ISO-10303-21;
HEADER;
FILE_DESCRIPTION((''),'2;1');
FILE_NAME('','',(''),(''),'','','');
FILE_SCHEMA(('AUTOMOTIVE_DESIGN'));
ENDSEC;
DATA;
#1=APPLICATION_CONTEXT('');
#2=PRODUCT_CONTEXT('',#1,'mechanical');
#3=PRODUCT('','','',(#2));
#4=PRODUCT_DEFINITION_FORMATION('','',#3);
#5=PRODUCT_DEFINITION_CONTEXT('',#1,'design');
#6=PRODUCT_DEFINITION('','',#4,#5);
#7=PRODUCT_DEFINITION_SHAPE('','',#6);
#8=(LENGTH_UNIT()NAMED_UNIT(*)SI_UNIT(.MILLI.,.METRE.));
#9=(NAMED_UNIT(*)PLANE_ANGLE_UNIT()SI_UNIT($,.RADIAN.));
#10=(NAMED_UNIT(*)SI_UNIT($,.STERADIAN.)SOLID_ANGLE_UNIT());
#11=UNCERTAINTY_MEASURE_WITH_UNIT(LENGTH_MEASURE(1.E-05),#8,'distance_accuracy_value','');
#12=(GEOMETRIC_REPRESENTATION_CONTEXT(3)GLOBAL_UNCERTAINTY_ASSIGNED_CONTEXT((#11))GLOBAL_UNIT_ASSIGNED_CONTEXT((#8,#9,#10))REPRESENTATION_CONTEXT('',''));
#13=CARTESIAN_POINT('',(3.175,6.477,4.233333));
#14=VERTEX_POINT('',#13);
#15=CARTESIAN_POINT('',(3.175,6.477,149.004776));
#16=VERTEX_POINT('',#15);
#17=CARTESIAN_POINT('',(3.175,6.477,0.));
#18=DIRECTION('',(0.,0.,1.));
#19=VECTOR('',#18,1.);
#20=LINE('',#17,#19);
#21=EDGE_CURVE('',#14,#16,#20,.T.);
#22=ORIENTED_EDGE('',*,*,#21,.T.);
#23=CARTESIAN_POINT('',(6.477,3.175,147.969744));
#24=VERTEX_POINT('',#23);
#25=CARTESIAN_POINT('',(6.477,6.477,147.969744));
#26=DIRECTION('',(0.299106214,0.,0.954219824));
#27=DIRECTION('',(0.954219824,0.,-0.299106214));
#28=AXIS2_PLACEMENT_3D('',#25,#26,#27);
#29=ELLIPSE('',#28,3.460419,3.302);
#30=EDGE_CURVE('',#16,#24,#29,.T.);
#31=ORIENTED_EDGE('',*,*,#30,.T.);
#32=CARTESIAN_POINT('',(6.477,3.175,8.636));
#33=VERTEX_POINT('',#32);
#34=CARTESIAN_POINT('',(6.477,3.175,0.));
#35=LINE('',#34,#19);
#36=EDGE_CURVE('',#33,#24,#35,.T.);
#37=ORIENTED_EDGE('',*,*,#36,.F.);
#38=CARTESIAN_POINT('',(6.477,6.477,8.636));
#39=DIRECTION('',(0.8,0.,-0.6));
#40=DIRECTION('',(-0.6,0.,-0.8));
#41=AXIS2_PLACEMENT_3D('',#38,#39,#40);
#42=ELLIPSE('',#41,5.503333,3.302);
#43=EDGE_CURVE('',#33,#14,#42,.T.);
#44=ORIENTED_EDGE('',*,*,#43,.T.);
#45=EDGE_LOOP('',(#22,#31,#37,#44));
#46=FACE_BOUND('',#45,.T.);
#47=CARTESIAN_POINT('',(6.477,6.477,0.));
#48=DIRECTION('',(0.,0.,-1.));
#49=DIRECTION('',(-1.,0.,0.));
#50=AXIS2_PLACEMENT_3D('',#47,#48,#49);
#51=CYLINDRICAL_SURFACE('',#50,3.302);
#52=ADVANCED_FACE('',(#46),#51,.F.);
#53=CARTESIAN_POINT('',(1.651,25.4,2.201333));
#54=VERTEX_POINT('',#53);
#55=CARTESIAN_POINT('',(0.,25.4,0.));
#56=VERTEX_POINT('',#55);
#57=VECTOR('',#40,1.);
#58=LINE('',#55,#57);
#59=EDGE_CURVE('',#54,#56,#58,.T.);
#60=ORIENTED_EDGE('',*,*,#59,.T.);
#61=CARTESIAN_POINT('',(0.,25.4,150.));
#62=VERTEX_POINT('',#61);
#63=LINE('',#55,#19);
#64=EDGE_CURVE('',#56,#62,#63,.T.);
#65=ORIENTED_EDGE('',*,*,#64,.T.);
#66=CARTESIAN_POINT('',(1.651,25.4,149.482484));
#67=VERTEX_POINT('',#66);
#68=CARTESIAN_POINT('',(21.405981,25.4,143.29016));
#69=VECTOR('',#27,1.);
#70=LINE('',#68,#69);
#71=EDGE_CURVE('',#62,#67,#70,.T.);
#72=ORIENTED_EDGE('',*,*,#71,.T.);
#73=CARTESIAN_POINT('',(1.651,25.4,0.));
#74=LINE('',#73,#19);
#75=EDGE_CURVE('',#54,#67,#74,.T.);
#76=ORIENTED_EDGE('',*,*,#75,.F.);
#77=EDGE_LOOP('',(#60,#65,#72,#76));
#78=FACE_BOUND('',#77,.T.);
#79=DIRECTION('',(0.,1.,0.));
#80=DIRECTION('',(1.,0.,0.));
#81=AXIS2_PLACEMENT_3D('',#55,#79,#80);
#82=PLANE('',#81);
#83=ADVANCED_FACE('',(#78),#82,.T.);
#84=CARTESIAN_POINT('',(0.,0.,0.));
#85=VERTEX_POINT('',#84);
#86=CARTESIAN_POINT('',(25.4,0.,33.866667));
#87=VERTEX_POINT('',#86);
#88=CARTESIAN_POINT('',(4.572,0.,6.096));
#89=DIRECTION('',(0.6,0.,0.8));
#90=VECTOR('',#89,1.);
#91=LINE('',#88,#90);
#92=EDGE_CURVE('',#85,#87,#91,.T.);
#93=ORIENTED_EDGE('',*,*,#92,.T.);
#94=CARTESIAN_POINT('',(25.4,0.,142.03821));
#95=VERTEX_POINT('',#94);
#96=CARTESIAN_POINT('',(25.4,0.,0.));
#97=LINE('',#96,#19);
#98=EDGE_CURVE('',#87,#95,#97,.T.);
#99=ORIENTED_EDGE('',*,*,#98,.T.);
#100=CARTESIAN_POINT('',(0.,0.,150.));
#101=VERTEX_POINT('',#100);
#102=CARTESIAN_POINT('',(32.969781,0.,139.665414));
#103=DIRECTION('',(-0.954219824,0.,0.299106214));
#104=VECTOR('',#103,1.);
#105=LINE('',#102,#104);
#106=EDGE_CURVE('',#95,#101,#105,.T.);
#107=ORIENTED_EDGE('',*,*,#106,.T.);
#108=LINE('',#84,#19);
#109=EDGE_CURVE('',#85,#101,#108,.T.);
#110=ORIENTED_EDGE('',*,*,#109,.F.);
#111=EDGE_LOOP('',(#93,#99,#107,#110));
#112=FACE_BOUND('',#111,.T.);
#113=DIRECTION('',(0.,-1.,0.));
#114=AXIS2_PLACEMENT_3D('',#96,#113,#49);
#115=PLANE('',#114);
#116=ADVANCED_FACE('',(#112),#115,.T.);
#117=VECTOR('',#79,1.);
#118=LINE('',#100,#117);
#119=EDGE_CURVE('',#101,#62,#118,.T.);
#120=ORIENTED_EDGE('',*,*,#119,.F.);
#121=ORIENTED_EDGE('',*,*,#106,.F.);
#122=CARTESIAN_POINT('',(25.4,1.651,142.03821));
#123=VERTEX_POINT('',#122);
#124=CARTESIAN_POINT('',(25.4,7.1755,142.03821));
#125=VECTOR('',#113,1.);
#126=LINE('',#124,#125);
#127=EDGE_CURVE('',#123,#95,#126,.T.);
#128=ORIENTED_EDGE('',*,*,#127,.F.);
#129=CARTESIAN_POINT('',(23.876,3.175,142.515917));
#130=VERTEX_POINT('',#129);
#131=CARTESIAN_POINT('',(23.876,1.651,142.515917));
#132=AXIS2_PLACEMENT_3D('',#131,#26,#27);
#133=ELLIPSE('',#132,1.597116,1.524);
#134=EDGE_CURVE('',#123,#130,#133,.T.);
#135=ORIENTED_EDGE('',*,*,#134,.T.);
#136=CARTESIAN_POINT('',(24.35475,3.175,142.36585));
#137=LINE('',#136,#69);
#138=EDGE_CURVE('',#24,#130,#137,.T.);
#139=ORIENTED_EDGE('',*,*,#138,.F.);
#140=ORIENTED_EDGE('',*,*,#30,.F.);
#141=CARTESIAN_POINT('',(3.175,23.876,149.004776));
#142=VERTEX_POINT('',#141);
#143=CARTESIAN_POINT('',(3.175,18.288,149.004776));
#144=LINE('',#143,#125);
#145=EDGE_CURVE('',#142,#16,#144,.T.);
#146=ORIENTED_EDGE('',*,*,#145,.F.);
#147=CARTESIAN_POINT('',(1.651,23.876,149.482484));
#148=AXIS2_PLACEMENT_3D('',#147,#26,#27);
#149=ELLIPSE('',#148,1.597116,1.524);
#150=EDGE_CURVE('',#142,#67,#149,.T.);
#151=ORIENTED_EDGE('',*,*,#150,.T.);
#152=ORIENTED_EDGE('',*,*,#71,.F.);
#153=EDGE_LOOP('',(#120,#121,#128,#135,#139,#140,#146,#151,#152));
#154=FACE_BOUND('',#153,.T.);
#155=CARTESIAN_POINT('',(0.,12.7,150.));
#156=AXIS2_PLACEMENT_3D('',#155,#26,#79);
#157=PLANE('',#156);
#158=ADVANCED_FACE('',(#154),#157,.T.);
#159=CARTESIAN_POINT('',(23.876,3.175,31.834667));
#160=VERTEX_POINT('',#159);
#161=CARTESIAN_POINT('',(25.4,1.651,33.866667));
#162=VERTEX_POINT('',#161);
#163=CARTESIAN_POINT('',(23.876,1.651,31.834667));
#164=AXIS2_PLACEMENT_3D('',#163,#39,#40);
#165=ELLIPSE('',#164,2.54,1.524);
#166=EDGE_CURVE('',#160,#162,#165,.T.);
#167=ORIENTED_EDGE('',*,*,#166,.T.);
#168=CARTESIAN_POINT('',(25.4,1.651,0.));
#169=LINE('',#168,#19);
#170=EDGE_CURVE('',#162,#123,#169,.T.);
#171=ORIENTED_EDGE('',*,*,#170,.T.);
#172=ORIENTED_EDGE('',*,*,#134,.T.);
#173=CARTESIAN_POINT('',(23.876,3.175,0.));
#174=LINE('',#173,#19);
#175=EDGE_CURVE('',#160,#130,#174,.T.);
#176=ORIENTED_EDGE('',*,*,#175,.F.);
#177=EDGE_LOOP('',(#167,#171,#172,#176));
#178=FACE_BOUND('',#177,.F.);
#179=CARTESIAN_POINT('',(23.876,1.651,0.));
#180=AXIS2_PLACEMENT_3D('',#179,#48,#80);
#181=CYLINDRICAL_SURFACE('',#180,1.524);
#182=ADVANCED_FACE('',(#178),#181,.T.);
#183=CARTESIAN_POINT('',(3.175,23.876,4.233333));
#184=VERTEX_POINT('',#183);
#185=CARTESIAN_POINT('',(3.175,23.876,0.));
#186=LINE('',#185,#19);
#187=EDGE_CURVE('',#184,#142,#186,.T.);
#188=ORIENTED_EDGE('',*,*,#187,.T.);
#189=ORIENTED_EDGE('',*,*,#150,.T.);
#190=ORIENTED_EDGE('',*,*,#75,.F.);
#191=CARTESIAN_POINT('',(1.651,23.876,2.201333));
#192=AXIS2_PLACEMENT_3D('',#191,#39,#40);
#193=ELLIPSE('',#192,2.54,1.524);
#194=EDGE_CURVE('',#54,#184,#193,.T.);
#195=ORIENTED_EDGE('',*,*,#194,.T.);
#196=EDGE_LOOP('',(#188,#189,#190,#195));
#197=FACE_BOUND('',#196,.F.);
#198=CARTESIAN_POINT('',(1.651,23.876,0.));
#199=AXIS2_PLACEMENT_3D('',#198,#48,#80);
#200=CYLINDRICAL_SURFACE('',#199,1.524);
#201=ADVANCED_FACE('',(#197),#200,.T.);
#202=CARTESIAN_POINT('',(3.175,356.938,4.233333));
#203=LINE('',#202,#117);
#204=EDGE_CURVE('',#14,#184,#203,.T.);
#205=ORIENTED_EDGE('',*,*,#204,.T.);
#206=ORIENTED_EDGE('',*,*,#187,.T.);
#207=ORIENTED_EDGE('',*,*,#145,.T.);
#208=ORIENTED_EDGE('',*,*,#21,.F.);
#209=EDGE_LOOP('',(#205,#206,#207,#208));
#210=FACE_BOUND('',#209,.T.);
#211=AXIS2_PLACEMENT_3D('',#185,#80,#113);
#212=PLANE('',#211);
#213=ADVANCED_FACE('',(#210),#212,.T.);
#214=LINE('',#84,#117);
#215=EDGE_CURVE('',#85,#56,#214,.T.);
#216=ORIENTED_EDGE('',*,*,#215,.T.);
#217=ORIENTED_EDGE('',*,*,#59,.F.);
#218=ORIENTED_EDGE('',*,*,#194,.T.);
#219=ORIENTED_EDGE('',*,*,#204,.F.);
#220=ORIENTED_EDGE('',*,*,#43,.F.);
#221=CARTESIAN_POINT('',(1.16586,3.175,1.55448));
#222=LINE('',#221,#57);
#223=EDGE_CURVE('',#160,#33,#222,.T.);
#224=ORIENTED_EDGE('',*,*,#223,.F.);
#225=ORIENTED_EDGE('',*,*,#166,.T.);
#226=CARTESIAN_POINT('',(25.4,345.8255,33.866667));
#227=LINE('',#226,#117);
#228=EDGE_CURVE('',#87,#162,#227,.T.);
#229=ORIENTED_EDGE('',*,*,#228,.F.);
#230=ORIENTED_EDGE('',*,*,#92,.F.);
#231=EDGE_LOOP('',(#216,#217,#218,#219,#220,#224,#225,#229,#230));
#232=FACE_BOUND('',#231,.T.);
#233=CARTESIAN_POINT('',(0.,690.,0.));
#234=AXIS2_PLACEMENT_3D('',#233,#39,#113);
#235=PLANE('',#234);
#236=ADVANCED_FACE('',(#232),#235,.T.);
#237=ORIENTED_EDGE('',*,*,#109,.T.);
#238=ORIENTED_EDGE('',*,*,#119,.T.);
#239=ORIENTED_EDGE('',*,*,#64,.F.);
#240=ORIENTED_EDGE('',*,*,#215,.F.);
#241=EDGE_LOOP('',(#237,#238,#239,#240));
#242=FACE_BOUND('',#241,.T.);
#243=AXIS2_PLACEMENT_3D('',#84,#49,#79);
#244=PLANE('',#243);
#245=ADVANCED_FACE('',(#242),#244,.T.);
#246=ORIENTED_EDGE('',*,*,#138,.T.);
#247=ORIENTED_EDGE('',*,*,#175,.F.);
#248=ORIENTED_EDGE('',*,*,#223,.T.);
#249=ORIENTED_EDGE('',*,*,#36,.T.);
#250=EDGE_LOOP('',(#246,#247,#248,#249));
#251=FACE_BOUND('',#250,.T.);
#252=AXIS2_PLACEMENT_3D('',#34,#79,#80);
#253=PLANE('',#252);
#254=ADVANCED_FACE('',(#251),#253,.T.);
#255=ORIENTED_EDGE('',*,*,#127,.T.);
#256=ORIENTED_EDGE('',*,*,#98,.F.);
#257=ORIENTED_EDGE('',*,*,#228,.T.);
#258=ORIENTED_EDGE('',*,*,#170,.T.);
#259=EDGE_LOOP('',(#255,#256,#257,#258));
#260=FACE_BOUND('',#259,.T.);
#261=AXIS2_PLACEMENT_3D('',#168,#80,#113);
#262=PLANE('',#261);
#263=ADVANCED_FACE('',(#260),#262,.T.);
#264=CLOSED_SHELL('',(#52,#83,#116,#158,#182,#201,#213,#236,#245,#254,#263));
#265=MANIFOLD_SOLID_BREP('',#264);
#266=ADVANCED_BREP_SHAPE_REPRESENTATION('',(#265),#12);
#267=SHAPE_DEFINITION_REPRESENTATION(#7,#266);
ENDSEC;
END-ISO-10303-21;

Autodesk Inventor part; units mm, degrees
ref_plane "Start Plane" through (0, 0, 0) normal (0, 0, 1) x (1, 0, 0)
ref_plane "End Plane" through (0, 0, 150) normal (0, 0, 1) x (1, 0, 0)
sketch "Sketch" plane through (0, 0, 0) normal (0, 0, 1) x (1, 0, 0)
  line L0 (25.4, 0) -> (0, 0)
  line L1 (0, 0) -> (0, 25.4)
  line L2 (0, 25.4) -> (1.651, 25.4)
  line L3 (3.175, 23.876) -> (3.175, 6.477)
  line L4 (6.477, 3.175) -> (23.876, 3.175)
  line L5 (25.4, 1.651) -> (25.4, 0)
  line L6 (0, -11.0414) -> (0, 31.5385) construction
  line L7 (-11.0414, 0) -> (31.5385, 0) construction
  arc A0 (3.175, 6.477) -> (6.477, 3.175) centre (6.477, 6.477) ccw
  arc A1 (3.175, 23.876) -> (1.651, 25.4) centre (1.651, 23.876) ccw
  arc A2 (25.4, 1.651) -> (23.876, 3.175) centre (23.876, 1.651) ccw
  line L8 (0, 40.0545) -> (0, -19.5574) construction
  line L9 (-19.5574, 0) -> (40.0545, 0) construction
  point P0 (3.175, 25.4)
  point P1 (3.175, 3.175)
  point P2 (25.4, 3.175)
  dimension "d0" = 25.4
  dimension "d1" = 25.4
  dimension "d2" = 3.175
  dimension "d3" = 3.175
  dimension "d10" = 0
  dimension "d11" = 0
  dimension "d14" = 3.302
  dimension "d15" = 1.524
extrude "Body" add sketch "Sketch" along normal up to surface (150 mm away) from surface at 0
sketch "Sketch3" plane through (0, 0, 0) normal (0, 0, 1) x (1, 0, 0)
  line L0 (0, 0) -> (10, 0)
ref_plane "Work Plane3" through (0, 0, 0) normal (0, -1, 0) x (1, 0, 0)
ref_plane "Work Plane4" through (0, 12.7, 150) normal (0.2991, 0, 0.9542) x (0.9542, 0, -0.2991)
split "Split1" plane through (0, 12.7, 150) removes the side toward (0.2991, 0, 0.9542)
ref_plane "Work Plane5" through (0, 690, 0) normal (0.8, 0, -0.6) x (-0.6, 0, -0.8)
split "Split2" plane through (0, 690, 0) removes the side toward (0.8, 0, -0.6)
sketch "Sketch4" plane through (0, 0, 0) normal (0, -1, 0) x (1, 0, 0)
  line L0 (-2, 0) -> (12, 0) projected
  line L1 (-2, 150) -> (12, 150) projected
  dimension "d17" = 150
equation "\"d0\" = G_H"
equation "\"d1\" = G_H"
equation "\"d2\" = G_T"
equation "\"d3\" = G_T"
equation "\"d14\" = G_IR"
equation "\"d15\" = G_ER"
equation "\"d4\" = G_L"
equation "\"G_H\" = 25.4"
equation "\"G_T\" = 3.175"
equation "\"G_ER\" = 1.524"
equation "\"G_IR\" = 3.302"
equation "\"G_L\" = d17"
equation "\"ex\" = 0"
equation "\"G_OFFSET_START\" = 0"
equation "\"G_OFFSET_END\" = 0"
equation "\"d13\" = G_OFFSET_END + B_L"
equation "\"B_L\" = 150"
properties part number "AISC - L 1 x 1 x 1/8 - 5.906" material "Steel, Mild"
